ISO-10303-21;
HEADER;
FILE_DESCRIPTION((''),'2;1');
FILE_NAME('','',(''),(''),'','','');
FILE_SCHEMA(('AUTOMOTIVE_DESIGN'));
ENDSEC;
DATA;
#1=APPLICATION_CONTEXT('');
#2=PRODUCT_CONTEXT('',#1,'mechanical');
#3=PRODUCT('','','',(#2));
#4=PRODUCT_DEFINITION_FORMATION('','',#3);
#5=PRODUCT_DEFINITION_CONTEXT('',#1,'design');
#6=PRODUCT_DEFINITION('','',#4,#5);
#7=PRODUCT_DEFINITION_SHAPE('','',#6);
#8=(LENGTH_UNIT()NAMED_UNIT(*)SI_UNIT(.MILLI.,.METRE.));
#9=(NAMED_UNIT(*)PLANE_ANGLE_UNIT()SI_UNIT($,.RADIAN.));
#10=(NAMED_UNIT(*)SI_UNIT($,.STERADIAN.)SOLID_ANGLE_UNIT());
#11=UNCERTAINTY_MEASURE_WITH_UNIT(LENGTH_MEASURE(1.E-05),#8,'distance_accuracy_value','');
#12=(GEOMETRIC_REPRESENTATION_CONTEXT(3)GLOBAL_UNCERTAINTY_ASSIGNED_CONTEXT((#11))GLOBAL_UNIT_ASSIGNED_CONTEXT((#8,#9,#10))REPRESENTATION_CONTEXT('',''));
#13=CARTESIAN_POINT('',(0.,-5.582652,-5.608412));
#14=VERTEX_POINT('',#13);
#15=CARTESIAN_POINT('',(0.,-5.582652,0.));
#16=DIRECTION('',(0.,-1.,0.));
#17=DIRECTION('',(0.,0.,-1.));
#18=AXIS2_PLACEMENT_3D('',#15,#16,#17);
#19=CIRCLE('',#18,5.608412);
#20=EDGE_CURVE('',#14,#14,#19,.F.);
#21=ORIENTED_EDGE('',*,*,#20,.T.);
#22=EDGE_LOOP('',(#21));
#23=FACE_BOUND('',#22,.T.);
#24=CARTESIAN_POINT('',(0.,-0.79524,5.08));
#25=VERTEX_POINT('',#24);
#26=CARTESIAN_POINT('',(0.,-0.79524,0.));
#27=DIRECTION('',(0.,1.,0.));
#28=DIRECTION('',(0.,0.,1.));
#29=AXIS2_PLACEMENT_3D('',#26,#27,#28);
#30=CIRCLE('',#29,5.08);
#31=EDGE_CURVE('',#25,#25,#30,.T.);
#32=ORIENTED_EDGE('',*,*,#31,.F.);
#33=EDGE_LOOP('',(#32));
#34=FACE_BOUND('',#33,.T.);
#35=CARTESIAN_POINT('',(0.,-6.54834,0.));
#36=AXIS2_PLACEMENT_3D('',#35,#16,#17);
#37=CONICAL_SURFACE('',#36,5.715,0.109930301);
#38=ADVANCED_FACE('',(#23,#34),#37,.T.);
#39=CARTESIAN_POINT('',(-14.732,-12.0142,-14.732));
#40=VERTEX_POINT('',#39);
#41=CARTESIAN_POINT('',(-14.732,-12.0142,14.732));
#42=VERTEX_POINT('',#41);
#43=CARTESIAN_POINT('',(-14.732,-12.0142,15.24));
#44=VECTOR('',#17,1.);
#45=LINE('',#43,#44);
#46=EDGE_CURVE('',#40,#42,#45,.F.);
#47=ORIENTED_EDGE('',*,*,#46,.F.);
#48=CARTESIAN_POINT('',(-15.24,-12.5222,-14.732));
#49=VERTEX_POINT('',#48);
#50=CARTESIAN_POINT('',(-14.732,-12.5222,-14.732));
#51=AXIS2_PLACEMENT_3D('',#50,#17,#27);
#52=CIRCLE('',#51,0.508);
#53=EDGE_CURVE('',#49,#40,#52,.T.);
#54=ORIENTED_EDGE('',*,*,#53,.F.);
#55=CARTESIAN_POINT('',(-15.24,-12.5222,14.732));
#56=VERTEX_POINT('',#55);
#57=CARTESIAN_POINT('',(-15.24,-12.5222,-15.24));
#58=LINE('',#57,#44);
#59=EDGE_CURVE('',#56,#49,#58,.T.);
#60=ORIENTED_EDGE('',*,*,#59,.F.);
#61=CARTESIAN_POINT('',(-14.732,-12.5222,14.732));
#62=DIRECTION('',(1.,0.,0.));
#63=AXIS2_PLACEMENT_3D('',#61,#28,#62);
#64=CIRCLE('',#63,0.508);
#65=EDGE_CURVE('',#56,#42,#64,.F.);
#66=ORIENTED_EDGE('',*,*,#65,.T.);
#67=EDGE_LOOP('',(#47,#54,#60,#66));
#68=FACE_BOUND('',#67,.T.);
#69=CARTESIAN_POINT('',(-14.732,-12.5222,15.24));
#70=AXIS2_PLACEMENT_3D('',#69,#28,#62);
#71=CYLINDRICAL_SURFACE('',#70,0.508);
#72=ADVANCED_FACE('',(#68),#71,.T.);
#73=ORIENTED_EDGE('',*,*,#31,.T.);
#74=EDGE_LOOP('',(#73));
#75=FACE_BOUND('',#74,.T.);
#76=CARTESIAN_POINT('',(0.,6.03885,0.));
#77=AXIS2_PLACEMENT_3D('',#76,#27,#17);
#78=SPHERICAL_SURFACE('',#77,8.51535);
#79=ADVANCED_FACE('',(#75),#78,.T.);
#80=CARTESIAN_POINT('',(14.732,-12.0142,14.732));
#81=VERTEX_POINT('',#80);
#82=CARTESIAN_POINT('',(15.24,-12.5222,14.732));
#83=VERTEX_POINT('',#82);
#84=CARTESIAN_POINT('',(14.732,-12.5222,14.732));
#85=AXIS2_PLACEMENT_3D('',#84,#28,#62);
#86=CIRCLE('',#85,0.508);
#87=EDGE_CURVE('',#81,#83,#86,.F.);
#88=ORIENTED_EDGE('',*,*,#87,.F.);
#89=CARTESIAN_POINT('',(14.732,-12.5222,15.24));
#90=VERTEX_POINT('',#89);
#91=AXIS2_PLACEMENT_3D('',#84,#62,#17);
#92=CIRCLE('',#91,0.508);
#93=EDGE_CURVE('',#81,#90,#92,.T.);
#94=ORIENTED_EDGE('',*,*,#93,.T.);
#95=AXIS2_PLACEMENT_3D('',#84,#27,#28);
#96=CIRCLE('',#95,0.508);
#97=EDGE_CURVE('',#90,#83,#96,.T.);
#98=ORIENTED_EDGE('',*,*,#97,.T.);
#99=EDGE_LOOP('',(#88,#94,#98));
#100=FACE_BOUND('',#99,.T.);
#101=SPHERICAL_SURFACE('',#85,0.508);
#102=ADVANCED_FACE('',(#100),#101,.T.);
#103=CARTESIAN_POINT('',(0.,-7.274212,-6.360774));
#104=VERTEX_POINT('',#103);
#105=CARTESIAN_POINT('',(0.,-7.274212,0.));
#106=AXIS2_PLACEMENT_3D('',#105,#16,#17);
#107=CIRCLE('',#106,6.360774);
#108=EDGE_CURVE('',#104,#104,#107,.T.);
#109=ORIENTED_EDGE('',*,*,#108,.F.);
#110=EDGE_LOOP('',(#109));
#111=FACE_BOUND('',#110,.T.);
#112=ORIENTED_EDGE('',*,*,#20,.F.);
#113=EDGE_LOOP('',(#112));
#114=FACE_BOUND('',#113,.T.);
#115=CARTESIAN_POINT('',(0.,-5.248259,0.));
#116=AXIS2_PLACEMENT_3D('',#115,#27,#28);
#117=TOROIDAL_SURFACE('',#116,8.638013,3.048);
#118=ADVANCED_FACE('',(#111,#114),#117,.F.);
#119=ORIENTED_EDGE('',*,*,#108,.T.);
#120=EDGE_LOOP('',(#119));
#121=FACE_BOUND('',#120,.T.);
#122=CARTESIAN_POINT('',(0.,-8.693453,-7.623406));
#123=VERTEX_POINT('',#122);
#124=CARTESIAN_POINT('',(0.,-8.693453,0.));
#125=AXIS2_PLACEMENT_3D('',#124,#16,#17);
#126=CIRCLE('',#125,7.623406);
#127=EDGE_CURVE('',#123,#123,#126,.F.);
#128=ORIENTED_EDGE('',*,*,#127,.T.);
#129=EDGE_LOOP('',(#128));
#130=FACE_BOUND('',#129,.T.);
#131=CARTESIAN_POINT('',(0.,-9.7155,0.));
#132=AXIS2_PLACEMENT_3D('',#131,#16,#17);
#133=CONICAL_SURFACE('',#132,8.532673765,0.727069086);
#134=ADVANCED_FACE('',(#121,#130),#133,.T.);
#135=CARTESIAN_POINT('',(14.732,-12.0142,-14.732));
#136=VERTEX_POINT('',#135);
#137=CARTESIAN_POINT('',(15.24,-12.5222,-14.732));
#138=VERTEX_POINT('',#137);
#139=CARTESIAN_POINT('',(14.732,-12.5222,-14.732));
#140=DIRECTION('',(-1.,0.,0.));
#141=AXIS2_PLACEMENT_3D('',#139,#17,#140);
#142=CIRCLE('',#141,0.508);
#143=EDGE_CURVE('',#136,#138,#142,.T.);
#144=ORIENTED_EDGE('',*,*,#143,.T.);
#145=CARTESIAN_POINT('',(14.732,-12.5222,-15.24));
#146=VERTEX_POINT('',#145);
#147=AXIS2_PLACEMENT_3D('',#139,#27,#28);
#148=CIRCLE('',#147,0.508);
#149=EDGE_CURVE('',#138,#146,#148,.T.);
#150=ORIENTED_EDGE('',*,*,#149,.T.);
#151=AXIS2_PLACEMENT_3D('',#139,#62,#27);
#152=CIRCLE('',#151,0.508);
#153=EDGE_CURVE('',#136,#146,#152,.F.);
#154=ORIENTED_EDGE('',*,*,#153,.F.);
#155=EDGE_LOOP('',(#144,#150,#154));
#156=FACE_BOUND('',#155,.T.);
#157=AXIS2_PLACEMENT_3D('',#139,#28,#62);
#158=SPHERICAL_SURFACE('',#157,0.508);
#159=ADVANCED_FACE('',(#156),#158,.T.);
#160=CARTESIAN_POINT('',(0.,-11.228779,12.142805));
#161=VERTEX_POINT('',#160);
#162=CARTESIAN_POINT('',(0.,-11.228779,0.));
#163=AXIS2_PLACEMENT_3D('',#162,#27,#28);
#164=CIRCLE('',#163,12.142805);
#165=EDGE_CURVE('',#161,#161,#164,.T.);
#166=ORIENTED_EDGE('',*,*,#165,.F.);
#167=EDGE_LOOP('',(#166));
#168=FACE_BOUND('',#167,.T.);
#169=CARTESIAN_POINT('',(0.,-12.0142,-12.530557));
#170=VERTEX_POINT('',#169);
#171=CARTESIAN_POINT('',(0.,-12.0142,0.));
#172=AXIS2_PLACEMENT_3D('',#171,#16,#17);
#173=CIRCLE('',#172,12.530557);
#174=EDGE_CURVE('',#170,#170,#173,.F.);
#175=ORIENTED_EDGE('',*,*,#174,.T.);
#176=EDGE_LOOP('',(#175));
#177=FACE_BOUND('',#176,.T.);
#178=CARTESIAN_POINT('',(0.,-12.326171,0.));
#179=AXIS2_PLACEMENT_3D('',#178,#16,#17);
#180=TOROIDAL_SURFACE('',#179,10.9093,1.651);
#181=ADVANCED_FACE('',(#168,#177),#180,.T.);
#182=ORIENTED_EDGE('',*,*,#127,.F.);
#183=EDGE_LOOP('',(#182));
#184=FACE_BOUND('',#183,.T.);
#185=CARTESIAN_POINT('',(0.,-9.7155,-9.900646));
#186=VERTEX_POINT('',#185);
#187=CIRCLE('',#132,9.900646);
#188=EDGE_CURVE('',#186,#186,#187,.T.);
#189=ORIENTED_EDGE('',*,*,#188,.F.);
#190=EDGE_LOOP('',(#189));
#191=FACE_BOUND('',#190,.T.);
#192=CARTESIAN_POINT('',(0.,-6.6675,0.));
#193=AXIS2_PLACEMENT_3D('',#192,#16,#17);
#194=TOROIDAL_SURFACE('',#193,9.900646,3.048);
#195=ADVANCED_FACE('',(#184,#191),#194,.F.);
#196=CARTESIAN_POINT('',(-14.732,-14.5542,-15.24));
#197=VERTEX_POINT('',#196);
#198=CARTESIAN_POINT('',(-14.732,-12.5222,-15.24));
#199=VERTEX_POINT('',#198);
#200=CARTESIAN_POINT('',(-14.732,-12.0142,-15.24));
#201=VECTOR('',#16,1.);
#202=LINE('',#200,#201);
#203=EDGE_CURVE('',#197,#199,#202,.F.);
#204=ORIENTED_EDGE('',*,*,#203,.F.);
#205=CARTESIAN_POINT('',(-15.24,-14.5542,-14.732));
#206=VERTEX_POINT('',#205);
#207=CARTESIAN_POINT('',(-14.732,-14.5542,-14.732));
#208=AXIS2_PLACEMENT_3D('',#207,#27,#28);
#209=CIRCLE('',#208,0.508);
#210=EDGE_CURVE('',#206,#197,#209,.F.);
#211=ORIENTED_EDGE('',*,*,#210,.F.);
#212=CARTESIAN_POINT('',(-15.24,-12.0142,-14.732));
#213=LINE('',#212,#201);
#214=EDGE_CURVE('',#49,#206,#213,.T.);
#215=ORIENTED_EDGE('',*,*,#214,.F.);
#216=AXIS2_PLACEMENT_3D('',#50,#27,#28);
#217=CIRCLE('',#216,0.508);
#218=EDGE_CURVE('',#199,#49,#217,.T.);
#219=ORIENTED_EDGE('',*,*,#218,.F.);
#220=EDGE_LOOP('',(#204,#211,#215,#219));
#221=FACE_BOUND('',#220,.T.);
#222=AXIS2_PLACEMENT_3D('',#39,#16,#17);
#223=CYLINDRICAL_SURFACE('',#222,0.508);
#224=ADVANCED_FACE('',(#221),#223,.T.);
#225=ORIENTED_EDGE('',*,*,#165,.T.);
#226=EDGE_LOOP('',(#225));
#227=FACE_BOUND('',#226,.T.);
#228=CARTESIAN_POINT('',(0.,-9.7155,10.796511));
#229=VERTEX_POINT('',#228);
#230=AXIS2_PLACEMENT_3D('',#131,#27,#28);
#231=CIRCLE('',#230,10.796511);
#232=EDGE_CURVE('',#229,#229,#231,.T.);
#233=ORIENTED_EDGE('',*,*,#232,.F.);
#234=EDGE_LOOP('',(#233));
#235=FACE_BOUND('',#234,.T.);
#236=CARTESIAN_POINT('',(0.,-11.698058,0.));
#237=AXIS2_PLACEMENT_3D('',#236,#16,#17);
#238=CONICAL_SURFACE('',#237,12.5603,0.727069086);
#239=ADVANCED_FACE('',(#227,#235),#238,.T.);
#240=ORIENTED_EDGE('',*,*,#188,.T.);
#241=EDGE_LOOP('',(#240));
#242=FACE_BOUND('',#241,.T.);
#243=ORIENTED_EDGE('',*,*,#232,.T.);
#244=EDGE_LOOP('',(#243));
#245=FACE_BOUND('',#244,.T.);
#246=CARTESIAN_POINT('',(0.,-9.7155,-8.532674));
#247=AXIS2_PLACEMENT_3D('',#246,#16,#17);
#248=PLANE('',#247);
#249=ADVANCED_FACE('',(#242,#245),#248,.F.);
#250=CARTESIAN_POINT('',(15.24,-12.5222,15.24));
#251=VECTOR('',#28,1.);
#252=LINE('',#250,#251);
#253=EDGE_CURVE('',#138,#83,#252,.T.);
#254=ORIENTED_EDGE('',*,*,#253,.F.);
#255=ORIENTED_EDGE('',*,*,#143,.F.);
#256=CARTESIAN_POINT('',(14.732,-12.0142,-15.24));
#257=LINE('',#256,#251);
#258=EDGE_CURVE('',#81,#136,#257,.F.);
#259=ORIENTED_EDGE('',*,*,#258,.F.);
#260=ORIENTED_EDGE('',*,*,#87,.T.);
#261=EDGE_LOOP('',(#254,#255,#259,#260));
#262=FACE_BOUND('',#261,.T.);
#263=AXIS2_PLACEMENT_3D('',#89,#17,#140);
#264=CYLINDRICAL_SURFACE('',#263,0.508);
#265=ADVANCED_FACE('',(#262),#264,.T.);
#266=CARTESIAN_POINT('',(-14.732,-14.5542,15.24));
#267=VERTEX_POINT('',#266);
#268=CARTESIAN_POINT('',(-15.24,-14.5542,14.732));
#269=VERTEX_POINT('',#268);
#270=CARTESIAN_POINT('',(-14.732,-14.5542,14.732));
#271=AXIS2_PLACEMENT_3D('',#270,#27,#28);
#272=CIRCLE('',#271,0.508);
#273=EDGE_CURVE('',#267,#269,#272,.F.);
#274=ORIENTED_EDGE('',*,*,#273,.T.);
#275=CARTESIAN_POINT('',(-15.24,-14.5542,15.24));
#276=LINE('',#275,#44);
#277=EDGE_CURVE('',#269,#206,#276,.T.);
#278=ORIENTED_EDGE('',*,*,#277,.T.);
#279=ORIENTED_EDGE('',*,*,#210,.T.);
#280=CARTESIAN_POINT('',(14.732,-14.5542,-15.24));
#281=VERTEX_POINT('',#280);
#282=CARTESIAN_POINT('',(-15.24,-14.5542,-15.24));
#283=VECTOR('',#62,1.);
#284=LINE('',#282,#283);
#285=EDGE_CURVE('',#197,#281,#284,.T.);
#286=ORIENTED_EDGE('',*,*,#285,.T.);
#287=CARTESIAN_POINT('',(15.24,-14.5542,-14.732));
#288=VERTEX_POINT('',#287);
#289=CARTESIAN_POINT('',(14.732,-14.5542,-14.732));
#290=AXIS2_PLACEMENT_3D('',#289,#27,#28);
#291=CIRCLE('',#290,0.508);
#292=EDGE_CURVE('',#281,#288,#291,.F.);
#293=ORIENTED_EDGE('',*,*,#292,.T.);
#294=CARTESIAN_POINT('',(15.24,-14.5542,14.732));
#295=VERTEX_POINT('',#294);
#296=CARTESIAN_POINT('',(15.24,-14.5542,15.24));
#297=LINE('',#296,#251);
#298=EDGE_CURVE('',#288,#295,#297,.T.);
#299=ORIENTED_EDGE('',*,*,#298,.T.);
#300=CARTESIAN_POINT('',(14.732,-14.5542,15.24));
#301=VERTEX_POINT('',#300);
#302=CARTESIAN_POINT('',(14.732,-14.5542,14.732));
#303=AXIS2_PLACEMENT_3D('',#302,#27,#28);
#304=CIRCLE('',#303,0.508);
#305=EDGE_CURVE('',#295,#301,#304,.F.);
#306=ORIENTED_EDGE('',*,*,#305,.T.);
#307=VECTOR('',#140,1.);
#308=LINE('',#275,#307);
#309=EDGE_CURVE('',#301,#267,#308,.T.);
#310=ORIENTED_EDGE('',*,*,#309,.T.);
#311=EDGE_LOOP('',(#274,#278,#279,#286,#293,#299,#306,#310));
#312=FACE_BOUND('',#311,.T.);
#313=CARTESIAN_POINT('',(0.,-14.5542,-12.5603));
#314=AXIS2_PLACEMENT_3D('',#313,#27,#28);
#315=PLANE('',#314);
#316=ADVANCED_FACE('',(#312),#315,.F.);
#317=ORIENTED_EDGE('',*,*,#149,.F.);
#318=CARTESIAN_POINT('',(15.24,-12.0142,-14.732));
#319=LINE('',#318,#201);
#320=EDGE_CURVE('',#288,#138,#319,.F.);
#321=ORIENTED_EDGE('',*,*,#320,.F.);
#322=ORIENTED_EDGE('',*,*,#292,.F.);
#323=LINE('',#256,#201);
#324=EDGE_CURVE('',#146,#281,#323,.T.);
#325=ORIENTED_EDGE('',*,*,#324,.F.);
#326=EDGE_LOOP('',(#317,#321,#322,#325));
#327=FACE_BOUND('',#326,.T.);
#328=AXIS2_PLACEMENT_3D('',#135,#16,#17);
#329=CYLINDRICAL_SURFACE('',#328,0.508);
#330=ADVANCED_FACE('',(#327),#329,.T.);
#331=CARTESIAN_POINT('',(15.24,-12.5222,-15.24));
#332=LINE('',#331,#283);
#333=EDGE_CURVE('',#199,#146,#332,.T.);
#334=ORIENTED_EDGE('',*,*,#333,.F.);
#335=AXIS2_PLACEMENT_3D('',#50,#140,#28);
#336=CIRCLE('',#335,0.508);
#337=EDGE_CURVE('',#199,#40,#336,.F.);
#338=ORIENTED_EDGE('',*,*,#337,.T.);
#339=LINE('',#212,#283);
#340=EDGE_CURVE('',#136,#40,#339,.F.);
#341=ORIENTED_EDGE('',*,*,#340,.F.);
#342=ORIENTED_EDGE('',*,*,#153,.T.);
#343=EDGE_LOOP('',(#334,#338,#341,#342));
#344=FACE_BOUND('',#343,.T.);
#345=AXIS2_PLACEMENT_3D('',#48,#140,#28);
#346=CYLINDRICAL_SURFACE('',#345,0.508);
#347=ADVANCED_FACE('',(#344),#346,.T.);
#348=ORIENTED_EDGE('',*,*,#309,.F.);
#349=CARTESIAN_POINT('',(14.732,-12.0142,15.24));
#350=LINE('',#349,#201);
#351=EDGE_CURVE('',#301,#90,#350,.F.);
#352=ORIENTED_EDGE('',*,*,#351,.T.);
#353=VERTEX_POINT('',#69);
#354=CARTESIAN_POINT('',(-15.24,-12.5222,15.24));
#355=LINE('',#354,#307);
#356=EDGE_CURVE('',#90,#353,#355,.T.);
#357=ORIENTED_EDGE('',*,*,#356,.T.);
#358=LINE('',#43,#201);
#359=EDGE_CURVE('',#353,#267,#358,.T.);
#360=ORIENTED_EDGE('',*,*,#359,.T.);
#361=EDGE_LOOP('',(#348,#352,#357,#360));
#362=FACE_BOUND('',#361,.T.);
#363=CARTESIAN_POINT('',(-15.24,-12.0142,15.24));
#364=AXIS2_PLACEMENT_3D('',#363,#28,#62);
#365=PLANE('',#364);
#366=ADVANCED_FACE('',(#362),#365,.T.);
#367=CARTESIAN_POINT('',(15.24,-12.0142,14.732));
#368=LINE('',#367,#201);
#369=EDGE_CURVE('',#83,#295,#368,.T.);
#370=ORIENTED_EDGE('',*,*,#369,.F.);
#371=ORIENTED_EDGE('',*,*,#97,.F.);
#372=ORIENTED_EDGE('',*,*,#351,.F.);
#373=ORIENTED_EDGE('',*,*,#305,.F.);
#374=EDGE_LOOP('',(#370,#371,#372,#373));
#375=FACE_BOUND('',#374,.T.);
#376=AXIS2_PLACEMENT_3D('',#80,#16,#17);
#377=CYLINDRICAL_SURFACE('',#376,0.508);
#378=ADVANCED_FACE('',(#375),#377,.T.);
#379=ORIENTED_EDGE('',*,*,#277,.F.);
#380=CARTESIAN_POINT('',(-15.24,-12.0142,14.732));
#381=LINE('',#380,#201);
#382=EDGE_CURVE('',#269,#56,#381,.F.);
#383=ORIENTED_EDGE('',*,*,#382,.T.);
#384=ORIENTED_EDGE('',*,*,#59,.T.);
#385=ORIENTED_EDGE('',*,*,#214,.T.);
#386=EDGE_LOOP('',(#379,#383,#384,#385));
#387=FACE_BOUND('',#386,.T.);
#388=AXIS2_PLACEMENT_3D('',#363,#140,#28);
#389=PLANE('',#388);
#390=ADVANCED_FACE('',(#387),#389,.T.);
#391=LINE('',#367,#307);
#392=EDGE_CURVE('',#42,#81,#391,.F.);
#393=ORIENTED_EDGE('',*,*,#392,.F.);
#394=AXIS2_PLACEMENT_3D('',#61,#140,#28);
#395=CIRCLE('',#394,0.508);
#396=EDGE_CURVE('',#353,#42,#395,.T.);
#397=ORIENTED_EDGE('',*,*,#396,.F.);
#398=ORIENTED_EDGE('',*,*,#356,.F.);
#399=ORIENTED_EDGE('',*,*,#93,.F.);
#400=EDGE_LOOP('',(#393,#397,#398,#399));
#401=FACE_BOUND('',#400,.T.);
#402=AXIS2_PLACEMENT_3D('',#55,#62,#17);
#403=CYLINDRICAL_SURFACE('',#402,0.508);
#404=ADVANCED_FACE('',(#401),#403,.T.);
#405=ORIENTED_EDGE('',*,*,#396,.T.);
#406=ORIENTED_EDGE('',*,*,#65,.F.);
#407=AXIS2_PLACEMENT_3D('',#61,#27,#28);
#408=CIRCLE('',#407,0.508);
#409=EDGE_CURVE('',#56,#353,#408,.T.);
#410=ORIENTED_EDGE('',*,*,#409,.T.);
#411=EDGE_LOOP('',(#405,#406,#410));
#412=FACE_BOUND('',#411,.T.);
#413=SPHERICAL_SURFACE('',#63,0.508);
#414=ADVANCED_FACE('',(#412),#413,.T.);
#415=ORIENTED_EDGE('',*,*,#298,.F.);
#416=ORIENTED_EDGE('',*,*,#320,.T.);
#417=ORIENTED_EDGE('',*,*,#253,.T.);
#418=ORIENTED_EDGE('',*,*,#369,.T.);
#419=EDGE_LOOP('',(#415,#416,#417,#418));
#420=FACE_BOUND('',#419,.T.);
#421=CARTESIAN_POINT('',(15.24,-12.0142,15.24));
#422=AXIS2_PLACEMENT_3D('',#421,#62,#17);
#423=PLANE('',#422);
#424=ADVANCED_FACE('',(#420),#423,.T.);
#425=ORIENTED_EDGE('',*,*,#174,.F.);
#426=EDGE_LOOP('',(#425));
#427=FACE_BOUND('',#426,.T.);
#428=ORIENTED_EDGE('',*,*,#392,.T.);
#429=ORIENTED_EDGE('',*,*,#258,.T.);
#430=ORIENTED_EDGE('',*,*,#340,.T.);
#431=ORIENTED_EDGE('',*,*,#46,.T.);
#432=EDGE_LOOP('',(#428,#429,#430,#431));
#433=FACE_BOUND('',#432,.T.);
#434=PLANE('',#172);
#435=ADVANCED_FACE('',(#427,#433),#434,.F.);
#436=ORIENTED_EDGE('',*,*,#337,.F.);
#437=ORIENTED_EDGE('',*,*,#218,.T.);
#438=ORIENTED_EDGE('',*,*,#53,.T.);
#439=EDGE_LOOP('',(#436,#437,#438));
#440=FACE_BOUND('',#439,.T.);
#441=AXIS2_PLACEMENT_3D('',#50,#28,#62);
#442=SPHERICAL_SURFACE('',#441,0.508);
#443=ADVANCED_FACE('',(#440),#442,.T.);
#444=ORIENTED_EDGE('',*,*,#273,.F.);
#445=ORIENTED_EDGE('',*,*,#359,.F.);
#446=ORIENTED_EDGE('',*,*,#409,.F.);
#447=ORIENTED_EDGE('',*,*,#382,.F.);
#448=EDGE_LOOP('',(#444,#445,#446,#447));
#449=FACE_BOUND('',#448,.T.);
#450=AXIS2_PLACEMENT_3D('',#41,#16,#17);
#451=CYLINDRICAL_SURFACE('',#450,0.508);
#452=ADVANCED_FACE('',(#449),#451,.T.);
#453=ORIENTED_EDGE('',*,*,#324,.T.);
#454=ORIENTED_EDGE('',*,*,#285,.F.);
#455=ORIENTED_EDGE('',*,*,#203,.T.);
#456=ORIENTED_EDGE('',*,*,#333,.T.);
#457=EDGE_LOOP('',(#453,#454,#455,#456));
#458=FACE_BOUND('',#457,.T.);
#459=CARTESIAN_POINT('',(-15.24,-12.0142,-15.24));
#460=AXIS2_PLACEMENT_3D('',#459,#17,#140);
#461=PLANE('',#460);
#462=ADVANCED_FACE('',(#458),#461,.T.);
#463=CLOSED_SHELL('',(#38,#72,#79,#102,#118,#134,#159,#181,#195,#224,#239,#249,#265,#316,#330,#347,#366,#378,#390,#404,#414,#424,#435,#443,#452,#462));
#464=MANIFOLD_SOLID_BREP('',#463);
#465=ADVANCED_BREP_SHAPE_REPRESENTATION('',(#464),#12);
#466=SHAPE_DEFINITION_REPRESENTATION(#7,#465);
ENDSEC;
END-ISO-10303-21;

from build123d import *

# Parameters (mm, degrees)
FILLET1_R           = 1.651
FILLET2_R           = 3.048
SKETCH2_W           = 30.48
SKETCH2_H           = 30.48
BOSS_EXTRUDE1_DEPTH = 2.54
FILLET3_R           = 0.508


with BuildPart() as part:
    # Sketch1 → Revolve1 (revolve)
    with BuildSketch(Plane(origin=(0, 0, 0), x_dir=(0, 0, -1), z_dir=(1, 0, 0)), mode=Mode.PRIVATE) as revolve1_sk:
        with BuildLine():
            Line((0, 14.5542), (0, -14.5542))
            Line((0, -14.5542), (12.5603, -14.5542))
            Line((12.5603, -14.5542), (12.5603, -11.698058268))
            Line((12.5603, -11.698058268), (10.796510879, -9.7155))
            Line((10.796510879, -9.7155), (8.532673765, -9.7155))
            Line((8.532673765, -9.7155), (5.715, -6.548339963))
            Line((5.715, -6.548339963), (5.08, -0.795239963))
            ThreePointArc((5.08, -0.795239963), (8.084115709, 8.714342259), (0, 14.5542))
        make_face()
    revolve(revolve1_sk.sketch.rotate(Axis((0, 14.5542, 0), (0, -1, 0)), 180), axis=Axis((0, 14.5542, 0), (0, -1, 0)))

    # Fillet1
    fillet1_edges = [part.edges().sort_by_distance(p)[0] for p in [
        (0, -14.5542, -12.5603),
        (0, -11.698058268, -12.5603),
    ]]
    fillet(fillet1_edges, radius=FILLET1_R)

    # Fillet2
    fillet2_edges = [part.edges().sort_by_distance(p)[0] for p in [
        (0, -9.7155, -8.532673765),
        (0, -6.548339963, -5.715),
    ]]
    fillet(fillet2_edges, radius=FILLET2_R)

    # Sketch2 → Boss-Extrude1 (add)
    with BuildSketch(Plane.XZ.offset(14.5542)):
        Rectangle(SKETCH2_W, SKETCH2_H)
    extrude(amount=-BOSS_EXTRUDE1_DEPTH)

    # Fillet3
    fillet3_edges = [part.edges().sort_by_distance(p)[0] for p in [
        (-15.24, -12.0142, 0),
        (-15.24, -13.2842, -15.24),
        (0, -12.0142, 15.24),
        (-15.24, -13.2842, 15.24),
        (15.24, -12.0142, 0),
        (15.24, -13.2842, 15.24),
        (0, -12.0142, -15.24),
        (15.24, -13.2842, -15.24),
    ]]
    fillet(fillet3_edges, radius=FILLET3_R)


solid = part.part
